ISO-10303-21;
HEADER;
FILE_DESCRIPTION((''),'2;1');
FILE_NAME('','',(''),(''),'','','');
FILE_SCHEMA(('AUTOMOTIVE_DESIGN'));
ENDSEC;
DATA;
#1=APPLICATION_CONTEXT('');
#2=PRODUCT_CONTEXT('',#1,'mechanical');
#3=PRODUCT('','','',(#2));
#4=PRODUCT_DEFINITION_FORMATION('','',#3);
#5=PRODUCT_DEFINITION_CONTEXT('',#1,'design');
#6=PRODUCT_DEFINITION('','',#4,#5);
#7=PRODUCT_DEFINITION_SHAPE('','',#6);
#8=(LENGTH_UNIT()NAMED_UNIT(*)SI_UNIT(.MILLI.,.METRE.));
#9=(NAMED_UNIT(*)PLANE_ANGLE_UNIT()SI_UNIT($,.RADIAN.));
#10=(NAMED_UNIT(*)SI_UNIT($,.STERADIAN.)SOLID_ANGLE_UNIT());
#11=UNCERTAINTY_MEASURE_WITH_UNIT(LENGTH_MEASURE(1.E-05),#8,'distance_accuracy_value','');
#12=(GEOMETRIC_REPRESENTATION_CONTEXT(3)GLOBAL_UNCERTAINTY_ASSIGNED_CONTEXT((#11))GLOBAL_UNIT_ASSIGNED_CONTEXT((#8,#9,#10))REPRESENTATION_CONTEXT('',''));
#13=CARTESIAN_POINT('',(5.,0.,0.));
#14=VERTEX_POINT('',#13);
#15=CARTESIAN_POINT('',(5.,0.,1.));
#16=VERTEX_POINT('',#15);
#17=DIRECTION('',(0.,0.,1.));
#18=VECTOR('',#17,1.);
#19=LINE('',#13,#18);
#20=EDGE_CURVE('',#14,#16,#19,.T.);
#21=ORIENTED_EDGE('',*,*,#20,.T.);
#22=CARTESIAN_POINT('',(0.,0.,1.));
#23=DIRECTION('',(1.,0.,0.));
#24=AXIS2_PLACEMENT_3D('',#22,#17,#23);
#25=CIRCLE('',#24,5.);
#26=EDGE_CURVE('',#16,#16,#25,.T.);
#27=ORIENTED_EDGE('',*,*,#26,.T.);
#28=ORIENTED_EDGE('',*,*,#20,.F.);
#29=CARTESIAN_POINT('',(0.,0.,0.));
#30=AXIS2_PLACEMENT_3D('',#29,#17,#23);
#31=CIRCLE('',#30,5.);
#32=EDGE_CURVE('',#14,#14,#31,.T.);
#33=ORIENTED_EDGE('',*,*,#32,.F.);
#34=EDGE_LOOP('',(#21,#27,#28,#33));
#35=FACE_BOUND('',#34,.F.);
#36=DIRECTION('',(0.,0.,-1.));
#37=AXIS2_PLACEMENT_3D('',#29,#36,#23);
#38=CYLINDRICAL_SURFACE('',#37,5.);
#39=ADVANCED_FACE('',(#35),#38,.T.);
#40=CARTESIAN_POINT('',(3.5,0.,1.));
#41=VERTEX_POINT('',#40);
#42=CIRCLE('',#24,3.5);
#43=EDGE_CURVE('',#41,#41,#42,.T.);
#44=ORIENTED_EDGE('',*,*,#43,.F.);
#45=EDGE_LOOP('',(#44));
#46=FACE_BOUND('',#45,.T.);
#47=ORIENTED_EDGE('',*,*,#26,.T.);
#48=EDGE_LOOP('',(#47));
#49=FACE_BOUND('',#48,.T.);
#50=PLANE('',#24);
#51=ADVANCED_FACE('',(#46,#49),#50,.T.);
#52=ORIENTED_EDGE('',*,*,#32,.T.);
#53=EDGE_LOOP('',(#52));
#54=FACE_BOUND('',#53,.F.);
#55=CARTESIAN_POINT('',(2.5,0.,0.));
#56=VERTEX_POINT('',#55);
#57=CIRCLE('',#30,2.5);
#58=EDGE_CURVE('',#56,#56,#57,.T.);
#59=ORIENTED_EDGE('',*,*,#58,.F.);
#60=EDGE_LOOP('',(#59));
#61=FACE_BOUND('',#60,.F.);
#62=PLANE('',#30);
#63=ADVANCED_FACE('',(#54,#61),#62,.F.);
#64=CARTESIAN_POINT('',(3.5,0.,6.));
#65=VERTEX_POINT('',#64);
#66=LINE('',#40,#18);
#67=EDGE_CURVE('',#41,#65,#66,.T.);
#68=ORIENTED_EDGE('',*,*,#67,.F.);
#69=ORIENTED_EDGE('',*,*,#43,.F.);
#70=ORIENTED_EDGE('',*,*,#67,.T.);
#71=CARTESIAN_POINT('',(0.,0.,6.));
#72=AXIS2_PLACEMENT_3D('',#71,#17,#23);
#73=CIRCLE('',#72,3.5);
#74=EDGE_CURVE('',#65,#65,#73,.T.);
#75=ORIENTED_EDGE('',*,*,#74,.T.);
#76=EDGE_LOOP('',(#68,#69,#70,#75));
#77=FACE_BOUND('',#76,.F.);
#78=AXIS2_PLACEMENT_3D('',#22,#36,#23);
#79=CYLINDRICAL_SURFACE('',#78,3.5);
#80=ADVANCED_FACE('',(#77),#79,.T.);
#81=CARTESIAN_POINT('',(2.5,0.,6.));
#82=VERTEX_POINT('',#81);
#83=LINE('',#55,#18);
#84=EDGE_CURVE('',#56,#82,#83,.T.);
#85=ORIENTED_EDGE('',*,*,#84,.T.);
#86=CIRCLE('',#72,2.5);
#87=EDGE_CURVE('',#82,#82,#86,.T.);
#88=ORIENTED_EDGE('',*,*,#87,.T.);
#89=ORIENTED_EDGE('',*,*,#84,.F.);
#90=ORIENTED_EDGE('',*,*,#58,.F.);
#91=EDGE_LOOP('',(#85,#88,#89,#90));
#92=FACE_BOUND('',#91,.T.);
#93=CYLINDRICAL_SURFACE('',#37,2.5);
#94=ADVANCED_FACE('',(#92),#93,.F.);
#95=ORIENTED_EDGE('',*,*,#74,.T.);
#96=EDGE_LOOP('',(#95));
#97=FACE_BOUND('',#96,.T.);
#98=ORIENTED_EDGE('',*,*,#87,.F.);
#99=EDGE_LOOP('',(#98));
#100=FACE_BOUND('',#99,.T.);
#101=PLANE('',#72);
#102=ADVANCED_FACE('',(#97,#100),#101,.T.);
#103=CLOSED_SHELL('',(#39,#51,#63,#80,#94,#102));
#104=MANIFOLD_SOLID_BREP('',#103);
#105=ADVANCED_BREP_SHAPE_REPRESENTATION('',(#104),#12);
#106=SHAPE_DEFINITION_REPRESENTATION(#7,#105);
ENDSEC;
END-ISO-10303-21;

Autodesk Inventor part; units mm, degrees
ref_plane "YZ Plane" through (0, 0, 0) normal (1, 0, 0) x (0, 1, 0)
ref_plane "XZ Plane" through (0, 0, 0) normal (0, 1, 0) x (-1, 0, 0)
ref_plane "XY Plane" through (0, 0, 0) normal (0, 0, 1) x (1, 0, 0)
sketch "スケッチ1" plane through (0, 0, 0) normal (0, 0, 1) x (1, 0, 0)
  circle A0 centre (0, 0) radius 2.5
  circle A1 centre (0, 0) radius 5
  dimension "d0" = 5
  dimension "d1" = 10
extrude "押し出し1" add sketch "スケッチ1" along normal blind 1
sketch "スケッチ2" plane through (0, 0, 1) normal (0, 0, 1) x (1, 0, 0)
  circle A0 centre (0, 0) radius 2.5
  circle A1 centre (0, 0) radius 3.5
  dimension "d4" = 5
  dimension "d5" = 7
extrude "押し出し2" add sketch "スケッチ2" along normal blind 5
properties part number "80F-0505"
